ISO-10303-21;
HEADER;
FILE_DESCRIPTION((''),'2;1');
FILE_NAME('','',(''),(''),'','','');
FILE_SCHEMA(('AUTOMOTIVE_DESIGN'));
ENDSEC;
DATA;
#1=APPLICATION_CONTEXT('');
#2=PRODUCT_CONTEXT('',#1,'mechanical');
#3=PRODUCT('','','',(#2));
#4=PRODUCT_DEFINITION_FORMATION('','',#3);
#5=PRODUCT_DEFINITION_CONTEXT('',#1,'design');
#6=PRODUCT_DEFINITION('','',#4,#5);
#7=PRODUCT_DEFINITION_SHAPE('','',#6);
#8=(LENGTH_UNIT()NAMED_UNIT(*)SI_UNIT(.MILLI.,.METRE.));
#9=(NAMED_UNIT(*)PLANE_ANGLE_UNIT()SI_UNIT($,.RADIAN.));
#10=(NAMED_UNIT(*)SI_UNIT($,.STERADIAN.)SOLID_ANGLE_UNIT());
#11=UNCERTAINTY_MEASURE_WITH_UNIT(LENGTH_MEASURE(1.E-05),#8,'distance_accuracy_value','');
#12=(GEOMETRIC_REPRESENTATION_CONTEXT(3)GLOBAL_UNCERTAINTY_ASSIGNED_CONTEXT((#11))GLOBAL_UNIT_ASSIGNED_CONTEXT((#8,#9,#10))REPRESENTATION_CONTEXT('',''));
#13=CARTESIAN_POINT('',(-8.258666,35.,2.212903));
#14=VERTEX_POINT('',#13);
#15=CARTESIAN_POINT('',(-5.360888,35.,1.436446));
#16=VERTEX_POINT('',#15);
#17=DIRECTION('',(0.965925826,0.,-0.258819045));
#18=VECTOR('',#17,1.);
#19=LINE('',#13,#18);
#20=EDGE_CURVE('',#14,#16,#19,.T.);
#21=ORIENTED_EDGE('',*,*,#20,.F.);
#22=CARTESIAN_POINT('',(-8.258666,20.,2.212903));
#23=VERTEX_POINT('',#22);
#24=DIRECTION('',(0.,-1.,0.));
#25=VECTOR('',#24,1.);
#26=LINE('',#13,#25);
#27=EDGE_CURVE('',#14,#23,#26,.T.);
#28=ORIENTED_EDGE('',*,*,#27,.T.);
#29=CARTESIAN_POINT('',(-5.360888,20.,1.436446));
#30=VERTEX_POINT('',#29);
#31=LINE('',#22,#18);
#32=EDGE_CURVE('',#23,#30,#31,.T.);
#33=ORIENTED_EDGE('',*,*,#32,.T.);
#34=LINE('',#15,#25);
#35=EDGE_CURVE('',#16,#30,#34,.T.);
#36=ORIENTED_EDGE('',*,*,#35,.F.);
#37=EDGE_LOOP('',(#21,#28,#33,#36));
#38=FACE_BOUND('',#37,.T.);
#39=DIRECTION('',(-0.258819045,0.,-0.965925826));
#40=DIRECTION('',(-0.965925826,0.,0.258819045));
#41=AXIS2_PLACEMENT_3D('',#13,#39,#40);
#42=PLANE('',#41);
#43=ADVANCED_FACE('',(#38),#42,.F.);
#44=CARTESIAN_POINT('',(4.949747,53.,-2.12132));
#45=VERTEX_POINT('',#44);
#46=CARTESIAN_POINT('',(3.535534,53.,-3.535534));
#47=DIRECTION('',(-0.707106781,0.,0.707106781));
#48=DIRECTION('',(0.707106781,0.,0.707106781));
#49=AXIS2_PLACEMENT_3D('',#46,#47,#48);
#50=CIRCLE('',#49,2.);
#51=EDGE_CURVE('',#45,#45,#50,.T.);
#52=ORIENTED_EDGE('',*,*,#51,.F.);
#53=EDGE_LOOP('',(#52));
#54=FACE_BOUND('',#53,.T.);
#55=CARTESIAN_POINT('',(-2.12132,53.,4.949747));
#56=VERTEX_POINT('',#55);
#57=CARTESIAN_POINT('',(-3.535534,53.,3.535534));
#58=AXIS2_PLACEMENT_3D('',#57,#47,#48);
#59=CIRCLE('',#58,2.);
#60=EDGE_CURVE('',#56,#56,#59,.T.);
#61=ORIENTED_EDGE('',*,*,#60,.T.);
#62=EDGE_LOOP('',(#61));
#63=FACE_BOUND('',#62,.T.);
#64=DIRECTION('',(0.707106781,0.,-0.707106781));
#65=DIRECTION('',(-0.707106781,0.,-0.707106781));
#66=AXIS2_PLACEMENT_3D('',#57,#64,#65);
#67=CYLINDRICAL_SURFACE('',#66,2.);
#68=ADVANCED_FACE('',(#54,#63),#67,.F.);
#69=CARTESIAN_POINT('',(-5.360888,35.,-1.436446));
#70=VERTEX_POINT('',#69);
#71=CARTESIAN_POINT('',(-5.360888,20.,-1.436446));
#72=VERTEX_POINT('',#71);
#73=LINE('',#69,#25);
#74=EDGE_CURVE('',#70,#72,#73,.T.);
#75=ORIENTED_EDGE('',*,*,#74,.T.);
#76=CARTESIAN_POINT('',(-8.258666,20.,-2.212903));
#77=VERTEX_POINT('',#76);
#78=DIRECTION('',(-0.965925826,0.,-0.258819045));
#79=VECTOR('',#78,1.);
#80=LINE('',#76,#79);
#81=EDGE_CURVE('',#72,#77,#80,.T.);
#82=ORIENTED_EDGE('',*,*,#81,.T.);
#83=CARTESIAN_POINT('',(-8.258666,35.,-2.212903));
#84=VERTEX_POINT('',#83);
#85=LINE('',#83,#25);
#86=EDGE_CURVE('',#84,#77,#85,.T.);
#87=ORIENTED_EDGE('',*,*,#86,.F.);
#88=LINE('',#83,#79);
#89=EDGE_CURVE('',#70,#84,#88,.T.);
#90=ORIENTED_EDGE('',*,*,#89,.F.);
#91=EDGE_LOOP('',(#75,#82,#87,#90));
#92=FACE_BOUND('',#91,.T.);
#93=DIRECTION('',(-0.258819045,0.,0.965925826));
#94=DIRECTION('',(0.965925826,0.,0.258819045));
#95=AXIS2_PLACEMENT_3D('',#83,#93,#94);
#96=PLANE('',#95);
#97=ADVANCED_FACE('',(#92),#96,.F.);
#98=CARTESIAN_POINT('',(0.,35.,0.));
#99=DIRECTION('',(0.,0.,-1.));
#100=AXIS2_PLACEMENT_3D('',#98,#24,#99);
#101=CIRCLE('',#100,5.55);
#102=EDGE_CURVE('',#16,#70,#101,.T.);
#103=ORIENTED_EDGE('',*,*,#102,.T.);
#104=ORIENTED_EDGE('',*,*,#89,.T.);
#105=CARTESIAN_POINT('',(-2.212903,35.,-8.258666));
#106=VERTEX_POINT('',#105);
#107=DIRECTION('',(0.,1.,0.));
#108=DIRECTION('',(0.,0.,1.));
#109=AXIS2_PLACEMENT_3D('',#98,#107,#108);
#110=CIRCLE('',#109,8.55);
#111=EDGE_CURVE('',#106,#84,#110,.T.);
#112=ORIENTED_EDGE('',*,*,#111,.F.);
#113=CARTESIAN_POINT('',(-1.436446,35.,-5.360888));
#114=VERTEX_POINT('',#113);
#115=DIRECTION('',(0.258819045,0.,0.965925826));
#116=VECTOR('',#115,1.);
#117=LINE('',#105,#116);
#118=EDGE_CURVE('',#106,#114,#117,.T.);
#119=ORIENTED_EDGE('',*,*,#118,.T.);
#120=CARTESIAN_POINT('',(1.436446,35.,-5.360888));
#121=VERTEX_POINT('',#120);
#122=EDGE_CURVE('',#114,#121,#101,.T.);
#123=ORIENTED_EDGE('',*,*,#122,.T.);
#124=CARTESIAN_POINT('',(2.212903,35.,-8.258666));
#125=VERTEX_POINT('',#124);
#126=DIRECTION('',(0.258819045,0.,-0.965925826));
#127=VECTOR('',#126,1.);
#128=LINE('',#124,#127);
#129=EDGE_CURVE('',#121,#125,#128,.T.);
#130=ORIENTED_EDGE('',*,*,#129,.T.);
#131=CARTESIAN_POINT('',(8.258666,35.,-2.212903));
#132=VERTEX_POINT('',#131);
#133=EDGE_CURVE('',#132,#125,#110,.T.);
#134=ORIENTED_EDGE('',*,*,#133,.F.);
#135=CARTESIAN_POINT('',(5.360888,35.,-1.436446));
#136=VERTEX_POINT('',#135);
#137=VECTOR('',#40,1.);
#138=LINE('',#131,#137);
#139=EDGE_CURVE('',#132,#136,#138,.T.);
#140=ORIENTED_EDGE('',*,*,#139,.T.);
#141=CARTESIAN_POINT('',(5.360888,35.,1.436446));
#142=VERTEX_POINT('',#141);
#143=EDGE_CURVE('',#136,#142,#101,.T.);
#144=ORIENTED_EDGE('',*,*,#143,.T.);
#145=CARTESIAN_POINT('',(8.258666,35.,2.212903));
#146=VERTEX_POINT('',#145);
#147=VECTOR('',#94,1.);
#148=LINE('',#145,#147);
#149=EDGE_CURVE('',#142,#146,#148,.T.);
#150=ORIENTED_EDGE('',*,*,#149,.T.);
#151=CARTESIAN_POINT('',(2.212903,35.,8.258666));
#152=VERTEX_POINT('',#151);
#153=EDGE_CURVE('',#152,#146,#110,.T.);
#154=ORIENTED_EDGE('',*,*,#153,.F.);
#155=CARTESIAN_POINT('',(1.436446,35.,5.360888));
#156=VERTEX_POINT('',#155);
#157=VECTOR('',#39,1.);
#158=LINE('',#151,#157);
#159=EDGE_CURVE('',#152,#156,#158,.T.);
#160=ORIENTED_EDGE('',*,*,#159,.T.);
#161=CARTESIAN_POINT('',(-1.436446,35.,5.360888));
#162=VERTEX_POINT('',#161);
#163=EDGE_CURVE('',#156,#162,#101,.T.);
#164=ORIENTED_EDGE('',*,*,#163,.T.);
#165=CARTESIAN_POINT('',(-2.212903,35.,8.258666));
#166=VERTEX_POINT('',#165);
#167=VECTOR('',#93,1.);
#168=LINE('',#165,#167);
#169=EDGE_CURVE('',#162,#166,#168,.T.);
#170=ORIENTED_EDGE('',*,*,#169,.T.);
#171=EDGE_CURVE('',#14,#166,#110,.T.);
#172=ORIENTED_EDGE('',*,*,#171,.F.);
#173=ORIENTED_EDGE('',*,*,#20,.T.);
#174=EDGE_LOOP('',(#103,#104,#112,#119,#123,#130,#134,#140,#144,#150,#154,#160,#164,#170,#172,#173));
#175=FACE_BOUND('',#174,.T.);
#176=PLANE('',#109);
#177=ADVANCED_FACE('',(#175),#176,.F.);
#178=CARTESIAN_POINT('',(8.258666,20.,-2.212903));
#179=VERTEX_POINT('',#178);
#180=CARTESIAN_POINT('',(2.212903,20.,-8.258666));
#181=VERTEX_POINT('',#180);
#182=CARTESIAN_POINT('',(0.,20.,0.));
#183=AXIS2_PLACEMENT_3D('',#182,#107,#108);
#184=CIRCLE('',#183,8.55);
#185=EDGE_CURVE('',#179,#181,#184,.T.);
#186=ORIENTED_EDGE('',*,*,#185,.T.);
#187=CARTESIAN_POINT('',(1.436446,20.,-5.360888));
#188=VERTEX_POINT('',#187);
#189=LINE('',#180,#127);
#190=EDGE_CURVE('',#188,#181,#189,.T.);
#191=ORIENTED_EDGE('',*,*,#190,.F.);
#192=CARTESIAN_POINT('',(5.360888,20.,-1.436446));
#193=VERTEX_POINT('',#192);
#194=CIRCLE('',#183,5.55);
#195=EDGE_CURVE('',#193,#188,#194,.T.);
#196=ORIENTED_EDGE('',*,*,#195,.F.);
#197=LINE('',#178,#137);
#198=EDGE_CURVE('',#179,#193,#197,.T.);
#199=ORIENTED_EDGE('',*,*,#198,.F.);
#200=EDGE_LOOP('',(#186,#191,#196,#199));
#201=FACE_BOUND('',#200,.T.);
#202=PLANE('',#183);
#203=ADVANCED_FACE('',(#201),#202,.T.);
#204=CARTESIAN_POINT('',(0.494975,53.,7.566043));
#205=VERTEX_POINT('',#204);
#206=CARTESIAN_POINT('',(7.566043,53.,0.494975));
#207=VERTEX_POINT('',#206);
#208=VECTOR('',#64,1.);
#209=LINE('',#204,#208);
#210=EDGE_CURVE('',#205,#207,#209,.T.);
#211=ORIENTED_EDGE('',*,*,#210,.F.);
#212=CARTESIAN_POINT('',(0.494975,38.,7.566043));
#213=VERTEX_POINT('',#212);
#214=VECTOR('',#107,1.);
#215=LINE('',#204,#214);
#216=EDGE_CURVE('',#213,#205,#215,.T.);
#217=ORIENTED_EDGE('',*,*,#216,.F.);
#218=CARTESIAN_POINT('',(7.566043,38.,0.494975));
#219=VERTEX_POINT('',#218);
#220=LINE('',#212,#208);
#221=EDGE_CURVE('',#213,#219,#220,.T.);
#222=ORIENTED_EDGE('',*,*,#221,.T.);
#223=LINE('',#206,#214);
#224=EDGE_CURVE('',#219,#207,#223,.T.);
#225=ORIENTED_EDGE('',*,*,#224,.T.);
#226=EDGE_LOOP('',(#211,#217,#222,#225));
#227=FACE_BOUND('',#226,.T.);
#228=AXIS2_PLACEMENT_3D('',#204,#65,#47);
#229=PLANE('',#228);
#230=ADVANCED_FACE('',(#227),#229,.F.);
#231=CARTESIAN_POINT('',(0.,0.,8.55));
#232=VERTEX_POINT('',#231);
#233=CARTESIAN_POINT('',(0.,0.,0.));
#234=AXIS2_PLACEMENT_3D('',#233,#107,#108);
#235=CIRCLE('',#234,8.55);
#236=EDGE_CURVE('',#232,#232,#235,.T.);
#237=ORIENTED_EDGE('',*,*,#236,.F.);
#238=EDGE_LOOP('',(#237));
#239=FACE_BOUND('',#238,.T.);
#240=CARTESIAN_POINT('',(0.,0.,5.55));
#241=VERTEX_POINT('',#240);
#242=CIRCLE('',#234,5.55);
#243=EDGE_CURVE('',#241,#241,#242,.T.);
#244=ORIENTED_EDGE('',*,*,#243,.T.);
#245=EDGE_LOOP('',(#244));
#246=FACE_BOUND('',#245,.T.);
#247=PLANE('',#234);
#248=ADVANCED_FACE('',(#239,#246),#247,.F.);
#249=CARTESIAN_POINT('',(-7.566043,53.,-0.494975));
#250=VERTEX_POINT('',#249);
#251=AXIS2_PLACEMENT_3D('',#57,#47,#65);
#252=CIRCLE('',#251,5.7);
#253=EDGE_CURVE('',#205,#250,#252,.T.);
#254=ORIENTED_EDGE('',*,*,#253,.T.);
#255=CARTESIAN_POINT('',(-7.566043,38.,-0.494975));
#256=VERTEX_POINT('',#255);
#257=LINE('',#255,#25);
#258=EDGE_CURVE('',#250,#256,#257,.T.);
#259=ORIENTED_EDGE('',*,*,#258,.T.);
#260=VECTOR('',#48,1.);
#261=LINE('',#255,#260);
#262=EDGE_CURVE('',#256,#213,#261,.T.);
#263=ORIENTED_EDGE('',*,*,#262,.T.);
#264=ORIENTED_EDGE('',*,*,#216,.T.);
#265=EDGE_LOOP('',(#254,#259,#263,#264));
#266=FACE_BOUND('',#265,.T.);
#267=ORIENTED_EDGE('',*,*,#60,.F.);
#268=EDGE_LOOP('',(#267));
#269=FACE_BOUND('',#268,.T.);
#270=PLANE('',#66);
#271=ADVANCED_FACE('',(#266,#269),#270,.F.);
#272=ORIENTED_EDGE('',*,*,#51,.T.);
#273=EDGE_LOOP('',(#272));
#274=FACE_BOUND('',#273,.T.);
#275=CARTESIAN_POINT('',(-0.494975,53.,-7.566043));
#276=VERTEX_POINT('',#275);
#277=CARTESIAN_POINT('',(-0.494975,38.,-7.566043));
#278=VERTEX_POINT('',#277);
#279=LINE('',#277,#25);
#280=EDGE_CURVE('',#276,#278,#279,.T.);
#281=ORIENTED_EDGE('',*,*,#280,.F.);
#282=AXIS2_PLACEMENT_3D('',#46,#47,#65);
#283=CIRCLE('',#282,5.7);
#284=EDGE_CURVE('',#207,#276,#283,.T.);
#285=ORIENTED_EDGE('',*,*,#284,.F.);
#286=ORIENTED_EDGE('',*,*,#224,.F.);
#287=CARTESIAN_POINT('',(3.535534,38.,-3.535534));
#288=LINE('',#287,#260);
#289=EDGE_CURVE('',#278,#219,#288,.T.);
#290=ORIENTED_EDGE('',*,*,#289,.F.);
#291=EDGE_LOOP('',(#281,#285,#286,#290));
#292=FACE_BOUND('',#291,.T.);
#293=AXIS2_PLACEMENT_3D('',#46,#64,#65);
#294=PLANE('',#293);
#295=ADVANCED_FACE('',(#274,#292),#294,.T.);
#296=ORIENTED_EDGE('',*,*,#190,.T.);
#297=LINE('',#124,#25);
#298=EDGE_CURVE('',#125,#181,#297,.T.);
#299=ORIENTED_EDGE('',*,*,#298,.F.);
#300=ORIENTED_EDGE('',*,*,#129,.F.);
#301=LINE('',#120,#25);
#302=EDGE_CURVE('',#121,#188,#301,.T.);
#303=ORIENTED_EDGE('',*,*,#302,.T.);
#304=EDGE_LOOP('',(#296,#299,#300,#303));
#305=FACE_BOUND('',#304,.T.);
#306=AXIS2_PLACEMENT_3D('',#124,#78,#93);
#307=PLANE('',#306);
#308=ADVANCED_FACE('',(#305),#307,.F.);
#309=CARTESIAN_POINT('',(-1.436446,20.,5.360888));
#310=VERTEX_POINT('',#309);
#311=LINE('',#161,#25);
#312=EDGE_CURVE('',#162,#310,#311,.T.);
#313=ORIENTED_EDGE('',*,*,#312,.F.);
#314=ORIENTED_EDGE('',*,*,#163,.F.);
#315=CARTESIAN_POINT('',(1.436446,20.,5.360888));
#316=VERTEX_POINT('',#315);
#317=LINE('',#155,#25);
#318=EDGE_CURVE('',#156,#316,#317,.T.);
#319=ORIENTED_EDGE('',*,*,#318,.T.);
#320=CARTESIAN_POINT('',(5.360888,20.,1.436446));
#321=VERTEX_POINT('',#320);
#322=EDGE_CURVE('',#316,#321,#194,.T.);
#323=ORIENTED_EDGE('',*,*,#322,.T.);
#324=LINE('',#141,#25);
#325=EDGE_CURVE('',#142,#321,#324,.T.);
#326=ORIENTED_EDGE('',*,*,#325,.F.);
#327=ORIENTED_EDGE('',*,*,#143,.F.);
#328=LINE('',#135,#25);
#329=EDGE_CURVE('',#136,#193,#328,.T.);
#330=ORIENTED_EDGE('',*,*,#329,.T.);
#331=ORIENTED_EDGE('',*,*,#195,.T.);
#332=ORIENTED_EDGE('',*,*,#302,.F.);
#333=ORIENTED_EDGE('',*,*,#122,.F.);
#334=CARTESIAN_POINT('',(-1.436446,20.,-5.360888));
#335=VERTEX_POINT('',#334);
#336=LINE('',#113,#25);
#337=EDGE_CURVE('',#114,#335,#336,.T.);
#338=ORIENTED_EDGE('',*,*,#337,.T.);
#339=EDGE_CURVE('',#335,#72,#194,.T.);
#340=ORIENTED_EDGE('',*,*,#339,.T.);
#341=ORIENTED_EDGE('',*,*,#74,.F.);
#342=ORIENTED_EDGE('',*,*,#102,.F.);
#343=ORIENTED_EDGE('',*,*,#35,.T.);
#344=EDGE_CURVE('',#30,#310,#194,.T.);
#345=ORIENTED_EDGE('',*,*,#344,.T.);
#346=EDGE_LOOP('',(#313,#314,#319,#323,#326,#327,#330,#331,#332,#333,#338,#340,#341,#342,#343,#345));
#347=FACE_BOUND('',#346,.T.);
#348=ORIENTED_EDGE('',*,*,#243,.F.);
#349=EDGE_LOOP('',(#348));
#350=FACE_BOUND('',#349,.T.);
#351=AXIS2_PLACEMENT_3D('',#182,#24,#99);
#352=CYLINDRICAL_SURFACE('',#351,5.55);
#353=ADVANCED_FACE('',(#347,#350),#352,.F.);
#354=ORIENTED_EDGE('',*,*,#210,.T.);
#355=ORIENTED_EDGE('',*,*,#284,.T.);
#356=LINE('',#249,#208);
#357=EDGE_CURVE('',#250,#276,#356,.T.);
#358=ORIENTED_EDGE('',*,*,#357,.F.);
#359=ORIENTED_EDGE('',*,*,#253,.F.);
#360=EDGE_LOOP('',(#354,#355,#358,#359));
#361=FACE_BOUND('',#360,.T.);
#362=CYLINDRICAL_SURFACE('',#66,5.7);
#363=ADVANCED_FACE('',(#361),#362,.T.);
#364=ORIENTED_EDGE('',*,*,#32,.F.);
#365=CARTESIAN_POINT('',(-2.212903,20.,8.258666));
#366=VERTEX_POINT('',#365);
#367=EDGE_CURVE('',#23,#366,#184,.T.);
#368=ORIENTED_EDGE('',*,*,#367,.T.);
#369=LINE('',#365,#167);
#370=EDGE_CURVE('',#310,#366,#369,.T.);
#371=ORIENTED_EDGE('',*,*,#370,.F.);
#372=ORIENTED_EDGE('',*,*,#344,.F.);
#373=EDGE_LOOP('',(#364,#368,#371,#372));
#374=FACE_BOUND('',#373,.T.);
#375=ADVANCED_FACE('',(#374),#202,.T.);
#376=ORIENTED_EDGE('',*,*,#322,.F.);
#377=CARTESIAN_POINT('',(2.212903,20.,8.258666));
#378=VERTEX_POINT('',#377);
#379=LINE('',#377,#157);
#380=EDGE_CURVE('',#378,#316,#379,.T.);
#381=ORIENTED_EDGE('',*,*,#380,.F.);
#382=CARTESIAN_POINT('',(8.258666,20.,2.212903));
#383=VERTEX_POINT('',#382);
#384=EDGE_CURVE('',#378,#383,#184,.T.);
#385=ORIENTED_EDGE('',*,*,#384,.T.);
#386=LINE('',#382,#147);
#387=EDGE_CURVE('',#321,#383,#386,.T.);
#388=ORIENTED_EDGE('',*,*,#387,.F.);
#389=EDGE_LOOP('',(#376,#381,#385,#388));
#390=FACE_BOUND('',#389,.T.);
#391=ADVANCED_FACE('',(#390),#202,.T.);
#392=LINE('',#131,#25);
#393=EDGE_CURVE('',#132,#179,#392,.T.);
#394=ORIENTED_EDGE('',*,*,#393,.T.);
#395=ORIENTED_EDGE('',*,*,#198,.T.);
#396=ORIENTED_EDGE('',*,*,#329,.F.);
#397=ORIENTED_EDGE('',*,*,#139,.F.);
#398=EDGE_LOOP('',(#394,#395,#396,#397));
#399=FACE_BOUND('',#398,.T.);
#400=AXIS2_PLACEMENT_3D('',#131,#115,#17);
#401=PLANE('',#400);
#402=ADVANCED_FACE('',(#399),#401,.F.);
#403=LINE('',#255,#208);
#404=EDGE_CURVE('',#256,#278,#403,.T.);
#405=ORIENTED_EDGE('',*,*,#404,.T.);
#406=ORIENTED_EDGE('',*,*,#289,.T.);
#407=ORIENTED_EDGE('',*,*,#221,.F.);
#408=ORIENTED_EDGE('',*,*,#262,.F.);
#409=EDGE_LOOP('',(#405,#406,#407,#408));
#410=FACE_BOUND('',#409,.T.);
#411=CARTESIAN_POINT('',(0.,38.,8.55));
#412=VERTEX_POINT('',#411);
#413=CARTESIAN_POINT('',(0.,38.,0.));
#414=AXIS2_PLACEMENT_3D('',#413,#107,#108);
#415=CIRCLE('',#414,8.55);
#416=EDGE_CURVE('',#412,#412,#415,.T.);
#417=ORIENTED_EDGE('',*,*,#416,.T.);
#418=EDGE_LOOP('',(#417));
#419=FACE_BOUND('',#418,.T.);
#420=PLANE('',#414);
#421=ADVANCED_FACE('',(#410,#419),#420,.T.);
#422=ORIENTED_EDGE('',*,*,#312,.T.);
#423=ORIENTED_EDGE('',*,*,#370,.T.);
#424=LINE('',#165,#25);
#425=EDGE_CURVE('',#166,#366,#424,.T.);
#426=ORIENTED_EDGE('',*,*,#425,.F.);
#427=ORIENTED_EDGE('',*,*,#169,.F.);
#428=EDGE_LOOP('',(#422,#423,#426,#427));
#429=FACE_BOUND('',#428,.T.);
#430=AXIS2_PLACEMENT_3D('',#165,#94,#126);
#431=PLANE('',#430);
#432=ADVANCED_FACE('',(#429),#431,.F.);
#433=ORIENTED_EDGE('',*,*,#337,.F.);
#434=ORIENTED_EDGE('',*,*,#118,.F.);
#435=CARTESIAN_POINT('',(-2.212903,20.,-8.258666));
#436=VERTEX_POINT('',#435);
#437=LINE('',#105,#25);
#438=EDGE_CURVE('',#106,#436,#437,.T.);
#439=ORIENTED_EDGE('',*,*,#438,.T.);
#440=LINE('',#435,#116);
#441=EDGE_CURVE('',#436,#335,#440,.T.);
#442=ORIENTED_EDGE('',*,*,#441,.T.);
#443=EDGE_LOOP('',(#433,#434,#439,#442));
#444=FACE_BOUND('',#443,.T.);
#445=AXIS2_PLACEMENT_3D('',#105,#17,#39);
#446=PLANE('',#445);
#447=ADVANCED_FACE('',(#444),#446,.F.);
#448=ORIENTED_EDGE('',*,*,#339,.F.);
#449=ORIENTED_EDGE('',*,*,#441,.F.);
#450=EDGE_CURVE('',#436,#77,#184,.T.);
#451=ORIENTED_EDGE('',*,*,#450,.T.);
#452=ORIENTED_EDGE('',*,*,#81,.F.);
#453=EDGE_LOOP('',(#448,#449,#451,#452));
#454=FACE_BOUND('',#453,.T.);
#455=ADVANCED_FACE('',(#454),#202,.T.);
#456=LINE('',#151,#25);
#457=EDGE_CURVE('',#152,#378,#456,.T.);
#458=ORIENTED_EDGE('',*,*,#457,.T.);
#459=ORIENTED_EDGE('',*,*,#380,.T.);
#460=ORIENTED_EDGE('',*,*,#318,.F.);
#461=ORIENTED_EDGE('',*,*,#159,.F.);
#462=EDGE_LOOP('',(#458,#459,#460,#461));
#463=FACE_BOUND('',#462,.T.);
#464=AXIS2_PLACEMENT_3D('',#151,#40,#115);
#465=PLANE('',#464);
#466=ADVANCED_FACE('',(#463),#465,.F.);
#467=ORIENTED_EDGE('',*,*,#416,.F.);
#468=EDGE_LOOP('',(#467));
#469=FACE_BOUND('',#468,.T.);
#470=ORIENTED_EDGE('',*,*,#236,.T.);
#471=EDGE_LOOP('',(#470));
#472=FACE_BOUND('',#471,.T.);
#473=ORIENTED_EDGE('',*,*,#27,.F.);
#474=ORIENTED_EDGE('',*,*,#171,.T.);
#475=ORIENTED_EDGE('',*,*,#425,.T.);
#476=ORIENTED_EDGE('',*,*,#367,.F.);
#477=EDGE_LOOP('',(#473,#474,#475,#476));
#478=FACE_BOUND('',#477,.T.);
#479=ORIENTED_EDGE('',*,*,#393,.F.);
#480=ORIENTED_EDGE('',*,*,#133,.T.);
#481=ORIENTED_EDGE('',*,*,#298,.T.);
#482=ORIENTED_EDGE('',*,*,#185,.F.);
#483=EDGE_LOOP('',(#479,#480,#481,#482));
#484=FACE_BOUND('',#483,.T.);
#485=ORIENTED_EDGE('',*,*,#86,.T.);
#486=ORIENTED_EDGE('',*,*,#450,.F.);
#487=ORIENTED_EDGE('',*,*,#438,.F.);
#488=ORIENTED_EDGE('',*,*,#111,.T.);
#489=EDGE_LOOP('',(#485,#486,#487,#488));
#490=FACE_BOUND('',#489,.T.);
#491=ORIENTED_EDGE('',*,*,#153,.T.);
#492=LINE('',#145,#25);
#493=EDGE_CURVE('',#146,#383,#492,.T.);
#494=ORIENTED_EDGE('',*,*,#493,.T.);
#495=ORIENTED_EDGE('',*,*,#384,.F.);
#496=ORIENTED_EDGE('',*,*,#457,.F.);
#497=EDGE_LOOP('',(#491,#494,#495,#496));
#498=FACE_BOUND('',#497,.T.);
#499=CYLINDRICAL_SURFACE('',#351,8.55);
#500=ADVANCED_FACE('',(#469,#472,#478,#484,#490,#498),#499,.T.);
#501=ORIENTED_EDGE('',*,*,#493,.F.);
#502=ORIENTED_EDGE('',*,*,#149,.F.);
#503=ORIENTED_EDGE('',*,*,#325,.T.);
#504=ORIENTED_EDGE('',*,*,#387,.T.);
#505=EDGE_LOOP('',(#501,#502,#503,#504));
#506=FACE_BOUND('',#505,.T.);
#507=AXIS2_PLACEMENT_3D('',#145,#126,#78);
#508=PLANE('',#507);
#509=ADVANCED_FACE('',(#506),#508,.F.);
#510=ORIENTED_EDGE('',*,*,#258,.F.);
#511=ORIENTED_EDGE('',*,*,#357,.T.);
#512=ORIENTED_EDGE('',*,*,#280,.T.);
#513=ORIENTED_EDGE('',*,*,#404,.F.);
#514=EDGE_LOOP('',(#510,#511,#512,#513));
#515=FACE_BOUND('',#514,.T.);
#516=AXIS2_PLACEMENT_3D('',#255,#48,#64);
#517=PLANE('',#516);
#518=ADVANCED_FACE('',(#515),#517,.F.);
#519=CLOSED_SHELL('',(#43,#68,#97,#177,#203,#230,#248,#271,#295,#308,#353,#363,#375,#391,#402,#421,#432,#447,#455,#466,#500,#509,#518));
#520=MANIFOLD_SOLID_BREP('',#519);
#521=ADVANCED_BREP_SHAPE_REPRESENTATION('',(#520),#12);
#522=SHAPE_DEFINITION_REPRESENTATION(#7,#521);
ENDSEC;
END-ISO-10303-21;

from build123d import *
from build123d.topology import SkipClean

# Parameters (mm, degrees)
SKETCH_4_R      = 8.55
SKETCH_4_R_2    = 5.55
EXTRUDE_1_DEPTH = 20
EXTRUDE_2_DEPTH = 15
SKETCH_6_R      = 8.55
EXTRUDE_3_DEPTH = 3
SKETCH_9_R      = 2
EXTRUDE_4_DEPTH = 5


with BuildPart() as part:
    # Эскиз4 → Бобышка-Вытянуть1 (new body)
    with BuildSketch(Plane(origin=(0, 0, 0), x_dir=(1, 0, 0), z_dir=(0, 1, 0))):
        with Locations(Location((0, 0, 0), (0, 0, 270))):
            Circle(SKETCH_4_R)
        with Locations(Location((0, 0, 0), (0, 0, 270))):
            Circle(SKETCH_4_R_2, mode=Mode.SUBTRACT)
    extrude(amount=EXTRUDE_1_DEPTH)

    # Эскиз5 → Бобышка-Вытянуть2 (add)
    with SkipClean():  # the faces are left unmerged after this step: merging them gives an invalid solid
        with BuildSketch(Plane(origin=(0, 20, 0), x_dir=(1, 0, 0), z_dir=(0, 1, 0))):
            with BuildLine():
                Line((2.212902836, 8.258665815), (1.4364457, 5.360888336))
                ThreePointArc((1.4364457, 5.360888336), (0, 5.55), (-1.4364457, 5.360888336))
                Line((-1.4364457, 5.360888336), (-2.212902836, 8.258665815))
                ThreePointArc((-2.212902836, 8.258665815), (0, 8.55), (2.212902836, 8.258665815))
            make_face()
            with BuildLine():
                Line((8.258665815, -2.212902836), (5.360888336, -1.4364457))
                ThreePointArc((5.360888336, -1.4364457), (5.55, 0), (5.360888336, 1.4364457))
                Line((5.360888336, 1.4364457), (8.258665815, 2.212902836))
                ThreePointArc((8.258665815, 2.212902836), (8.55, 0), (8.258665815, -2.212902836))
            make_face()
            with BuildLine():
                Line((-2.212902836, -8.258665815), (-1.4364457, -5.360888336))
                ThreePointArc((-1.4364457, -5.360888336), (0, -5.55), (1.4364457, -5.360888336))
                Line((1.4364457, -5.360888336), (2.212902836, -8.258665815))
                ThreePointArc((2.212902836, -8.258665815), (0, -8.55), (-2.212902836, -8.258665815))
            make_face()
            with BuildLine():
                Line((-8.258665815, 2.212902836), (-5.360888336, 1.4364457))
                ThreePointArc((-5.360888336, 1.4364457), (-5.55, 0), (-5.360888336, -1.4364457))
                Line((-5.360888336, -1.4364457), (-8.258665815, -2.212902836))
                ThreePointArc((-8.258665815, -2.212902836), (-8.55, 0), (-8.258665815, 2.212902836))
            make_face()
        extrude(amount=EXTRUDE_2_DEPTH)

    # Эскиз6 → Бобышка-Вытянуть3 (add)
    with SkipClean():  # the faces are left unmerged after this step: merging them gives an invalid solid
        with BuildSketch(Plane(origin=(0, 35, 0), x_dir=(1, 0, 0), z_dir=(0, 1, 0))):
            with Locations(Location((0, 0, 0), (0, 0, 270))):
                Circle(SKETCH_6_R)
        extrude(amount=EXTRUDE_3_DEPTH)

    # Эскиз9 → Бобышка-Вытянуть4 (add, symmetric)
    with SkipClean():  # the faces are left unmerged after this step: merging them gives an invalid solid
        with BuildSketch(Plane(origin=(0, 0, 0), x_dir=(0.7071067811865477, 0, 0.7071067811865475), z_dir=(-0.7071067811865475, 0, 0.7071067811865477))):
            with BuildLine():
                Line((-5.7, 38), (-5.7, 53))
                ThreePointArc((-5.7, 53), (0, 58.7), (5.7, 53))
                Line((5.7, 53), (5.7, 38))
                Line((5.7, 38), (0, 38))
                Line((0, 38), (-5.7, 38))
            make_face()
            with Locations((0, 53)):
                Circle(SKETCH_9_R, mode=Mode.SUBTRACT)
        extrude(amount=EXTRUDE_4_DEPTH, both=True)


solid = part.part
